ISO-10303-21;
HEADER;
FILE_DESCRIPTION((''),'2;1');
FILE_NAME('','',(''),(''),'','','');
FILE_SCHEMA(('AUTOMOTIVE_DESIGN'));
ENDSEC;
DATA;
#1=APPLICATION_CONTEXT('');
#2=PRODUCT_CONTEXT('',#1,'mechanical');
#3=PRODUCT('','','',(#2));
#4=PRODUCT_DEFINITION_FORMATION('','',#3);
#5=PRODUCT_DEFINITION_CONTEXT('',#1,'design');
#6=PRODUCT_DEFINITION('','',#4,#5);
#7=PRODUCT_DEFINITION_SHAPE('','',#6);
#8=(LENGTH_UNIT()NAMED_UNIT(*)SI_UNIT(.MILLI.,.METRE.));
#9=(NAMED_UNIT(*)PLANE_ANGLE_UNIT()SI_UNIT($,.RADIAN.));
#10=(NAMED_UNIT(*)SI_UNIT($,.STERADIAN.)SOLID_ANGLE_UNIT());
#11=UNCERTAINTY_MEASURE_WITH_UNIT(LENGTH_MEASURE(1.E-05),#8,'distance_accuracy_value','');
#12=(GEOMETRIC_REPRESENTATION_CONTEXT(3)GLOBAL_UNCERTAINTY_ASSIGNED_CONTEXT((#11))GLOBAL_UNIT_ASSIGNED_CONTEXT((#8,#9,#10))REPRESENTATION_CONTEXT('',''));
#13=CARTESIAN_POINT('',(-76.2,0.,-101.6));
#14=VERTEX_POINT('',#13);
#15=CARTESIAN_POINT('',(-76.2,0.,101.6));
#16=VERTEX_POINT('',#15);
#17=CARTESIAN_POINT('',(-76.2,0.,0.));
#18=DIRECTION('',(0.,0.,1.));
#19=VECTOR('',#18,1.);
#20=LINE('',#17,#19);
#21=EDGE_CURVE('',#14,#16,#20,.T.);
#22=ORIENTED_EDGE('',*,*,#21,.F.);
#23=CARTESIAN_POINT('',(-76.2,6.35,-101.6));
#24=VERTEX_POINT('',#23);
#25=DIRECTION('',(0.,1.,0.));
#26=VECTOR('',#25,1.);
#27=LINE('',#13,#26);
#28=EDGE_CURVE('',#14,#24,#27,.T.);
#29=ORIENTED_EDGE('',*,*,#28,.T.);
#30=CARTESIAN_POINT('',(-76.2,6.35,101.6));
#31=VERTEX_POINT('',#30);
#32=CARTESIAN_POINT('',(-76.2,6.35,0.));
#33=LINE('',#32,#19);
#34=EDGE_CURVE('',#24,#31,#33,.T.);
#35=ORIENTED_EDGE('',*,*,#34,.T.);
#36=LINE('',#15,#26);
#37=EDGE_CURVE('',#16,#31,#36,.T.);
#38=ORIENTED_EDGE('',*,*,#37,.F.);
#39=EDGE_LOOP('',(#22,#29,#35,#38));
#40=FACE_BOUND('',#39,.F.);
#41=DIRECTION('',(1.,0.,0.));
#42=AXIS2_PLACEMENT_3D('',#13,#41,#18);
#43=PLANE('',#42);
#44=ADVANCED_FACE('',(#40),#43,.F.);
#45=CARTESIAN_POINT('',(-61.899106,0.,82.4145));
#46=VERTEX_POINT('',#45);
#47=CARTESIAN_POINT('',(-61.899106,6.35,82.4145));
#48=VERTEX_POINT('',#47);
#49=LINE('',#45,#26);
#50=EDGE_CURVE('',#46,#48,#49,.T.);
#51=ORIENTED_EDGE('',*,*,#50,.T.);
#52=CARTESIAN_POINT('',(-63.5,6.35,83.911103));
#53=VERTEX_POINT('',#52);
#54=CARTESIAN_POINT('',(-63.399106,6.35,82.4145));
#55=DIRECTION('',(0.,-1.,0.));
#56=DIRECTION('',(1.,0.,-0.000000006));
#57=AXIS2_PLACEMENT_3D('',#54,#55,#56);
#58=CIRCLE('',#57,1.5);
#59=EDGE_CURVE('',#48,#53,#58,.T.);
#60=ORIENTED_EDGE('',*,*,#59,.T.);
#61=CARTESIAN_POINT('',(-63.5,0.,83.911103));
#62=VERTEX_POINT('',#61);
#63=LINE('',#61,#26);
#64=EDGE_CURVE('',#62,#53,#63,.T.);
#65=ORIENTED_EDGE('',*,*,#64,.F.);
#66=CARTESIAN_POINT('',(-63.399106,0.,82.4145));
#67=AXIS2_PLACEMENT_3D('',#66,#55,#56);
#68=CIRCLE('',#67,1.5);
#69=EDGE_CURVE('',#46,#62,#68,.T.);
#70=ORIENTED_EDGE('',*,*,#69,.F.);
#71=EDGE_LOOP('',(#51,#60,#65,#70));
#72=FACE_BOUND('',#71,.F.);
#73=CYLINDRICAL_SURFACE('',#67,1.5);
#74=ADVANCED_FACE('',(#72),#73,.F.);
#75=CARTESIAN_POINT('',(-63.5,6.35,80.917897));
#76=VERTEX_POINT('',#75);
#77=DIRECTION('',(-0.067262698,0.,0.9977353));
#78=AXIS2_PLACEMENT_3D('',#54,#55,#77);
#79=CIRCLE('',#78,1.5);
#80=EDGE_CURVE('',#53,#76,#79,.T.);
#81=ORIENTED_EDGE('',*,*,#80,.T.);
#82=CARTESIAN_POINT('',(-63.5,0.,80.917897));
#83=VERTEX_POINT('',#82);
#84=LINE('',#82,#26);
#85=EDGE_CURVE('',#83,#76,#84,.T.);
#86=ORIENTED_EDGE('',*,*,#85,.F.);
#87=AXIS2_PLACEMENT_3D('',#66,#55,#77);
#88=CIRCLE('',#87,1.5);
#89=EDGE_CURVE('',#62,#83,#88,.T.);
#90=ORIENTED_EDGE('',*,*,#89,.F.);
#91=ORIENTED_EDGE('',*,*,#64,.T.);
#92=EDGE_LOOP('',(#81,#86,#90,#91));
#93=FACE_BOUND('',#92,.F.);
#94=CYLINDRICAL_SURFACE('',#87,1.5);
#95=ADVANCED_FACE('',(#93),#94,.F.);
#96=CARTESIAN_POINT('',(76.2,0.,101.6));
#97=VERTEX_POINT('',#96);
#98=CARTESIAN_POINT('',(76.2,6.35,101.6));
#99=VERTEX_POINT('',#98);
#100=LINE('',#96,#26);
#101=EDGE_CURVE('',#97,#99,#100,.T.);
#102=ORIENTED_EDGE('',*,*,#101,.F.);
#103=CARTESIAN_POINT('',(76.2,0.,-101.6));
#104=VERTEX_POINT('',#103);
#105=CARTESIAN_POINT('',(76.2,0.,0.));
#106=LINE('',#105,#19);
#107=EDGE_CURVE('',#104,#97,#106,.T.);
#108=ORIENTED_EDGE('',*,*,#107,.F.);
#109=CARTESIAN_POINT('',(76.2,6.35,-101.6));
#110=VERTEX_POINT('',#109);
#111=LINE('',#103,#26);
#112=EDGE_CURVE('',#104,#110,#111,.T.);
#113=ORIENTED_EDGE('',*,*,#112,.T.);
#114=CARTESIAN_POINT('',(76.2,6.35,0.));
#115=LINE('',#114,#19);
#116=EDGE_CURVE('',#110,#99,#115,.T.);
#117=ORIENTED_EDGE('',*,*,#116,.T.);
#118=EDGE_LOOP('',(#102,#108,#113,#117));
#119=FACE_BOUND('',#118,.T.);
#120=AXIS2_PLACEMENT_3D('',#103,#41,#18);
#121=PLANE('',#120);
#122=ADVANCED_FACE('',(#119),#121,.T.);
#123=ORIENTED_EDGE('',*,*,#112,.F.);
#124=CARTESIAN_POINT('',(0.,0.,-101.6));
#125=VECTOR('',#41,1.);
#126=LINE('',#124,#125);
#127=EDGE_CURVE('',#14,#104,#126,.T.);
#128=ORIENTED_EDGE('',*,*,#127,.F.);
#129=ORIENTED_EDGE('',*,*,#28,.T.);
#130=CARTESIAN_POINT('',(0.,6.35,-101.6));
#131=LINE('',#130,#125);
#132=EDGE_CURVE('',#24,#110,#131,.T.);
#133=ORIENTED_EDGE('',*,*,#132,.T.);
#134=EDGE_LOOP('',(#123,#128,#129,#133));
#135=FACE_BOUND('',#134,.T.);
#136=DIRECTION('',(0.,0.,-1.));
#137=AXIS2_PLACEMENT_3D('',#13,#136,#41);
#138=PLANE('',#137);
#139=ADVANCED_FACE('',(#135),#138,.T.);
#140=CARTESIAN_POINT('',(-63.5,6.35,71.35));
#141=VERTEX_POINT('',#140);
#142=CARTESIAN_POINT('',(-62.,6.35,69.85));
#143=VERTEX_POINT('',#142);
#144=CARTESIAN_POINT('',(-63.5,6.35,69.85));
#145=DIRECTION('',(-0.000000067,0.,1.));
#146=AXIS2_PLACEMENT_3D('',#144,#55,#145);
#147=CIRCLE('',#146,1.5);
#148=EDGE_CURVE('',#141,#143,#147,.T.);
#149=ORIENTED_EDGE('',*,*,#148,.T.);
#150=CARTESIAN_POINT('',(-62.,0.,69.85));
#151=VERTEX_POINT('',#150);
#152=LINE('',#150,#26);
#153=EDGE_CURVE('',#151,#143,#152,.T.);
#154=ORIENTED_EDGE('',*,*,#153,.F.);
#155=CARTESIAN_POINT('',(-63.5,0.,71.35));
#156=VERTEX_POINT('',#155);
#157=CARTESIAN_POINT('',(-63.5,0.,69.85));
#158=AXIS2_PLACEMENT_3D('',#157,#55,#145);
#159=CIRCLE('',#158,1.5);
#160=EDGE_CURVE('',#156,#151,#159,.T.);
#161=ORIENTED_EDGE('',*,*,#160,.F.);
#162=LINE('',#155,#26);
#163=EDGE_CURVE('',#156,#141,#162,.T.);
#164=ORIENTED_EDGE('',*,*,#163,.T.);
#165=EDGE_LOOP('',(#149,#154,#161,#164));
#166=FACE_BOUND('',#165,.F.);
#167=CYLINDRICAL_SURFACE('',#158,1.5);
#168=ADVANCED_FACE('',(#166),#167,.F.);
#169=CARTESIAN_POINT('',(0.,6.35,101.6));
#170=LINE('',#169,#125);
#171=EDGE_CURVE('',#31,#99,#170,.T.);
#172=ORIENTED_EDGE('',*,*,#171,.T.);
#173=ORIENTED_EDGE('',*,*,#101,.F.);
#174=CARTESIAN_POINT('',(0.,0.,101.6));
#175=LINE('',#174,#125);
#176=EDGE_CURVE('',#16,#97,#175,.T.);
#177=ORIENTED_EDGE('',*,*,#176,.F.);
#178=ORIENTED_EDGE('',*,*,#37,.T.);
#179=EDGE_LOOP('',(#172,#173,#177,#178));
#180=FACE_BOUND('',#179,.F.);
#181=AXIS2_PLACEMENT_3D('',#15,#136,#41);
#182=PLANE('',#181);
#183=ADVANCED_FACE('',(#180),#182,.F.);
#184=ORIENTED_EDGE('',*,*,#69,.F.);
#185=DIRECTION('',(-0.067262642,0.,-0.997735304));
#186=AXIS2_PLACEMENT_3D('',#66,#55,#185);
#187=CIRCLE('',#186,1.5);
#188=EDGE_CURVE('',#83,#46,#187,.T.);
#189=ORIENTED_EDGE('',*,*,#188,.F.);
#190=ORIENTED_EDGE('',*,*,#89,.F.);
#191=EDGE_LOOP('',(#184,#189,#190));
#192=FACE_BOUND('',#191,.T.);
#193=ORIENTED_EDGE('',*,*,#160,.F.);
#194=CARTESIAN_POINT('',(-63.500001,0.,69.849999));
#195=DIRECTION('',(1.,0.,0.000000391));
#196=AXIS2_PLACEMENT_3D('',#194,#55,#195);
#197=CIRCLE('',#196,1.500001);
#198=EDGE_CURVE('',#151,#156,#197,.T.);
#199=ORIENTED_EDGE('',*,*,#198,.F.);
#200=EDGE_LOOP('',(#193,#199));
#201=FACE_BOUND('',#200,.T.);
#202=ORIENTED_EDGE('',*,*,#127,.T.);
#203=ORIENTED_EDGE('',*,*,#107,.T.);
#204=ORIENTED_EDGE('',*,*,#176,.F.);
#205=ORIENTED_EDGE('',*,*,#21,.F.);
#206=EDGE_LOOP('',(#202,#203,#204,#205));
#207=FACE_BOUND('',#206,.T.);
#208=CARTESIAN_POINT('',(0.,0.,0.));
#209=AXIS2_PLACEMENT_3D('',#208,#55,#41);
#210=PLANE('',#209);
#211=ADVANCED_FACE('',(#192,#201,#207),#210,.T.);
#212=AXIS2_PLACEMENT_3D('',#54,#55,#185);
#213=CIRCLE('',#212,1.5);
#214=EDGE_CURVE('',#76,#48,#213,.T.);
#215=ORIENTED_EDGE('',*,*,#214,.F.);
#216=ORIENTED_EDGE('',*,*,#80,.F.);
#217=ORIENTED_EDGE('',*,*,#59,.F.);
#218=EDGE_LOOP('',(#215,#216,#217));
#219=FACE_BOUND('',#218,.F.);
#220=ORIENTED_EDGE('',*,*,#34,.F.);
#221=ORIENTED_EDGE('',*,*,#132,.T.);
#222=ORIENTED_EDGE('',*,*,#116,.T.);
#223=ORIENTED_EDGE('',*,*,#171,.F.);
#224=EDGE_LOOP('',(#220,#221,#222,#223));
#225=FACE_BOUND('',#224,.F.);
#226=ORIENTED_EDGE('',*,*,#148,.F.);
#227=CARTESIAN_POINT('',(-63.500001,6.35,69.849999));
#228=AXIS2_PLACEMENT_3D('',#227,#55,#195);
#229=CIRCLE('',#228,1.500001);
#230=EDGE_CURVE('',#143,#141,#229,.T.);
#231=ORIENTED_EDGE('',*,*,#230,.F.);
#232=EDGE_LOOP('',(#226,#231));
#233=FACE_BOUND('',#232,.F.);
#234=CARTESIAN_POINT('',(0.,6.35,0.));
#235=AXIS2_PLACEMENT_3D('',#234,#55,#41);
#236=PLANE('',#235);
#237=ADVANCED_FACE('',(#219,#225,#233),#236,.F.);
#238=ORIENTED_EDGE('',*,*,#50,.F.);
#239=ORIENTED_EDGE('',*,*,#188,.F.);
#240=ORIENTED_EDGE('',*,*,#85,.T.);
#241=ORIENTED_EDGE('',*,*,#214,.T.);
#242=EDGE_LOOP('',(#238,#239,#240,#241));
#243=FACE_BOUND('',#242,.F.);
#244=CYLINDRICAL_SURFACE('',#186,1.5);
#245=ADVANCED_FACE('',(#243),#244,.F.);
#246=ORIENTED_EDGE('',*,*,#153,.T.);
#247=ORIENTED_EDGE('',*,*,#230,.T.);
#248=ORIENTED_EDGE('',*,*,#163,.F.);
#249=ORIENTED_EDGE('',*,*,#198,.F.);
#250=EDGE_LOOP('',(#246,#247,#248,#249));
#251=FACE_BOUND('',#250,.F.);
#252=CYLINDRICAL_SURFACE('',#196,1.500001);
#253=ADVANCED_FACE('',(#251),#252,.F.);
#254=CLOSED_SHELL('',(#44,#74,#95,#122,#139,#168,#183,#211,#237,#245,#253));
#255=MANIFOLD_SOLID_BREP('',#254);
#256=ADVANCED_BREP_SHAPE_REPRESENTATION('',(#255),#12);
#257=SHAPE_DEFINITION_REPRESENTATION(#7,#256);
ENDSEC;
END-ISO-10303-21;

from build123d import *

# Parameters (mm, degrees)
F0_W     = 152.4
F0_H     = 203.2
F1_DEPTH = 6.35
F3_DEPTH = 12.7


with BuildPart() as f1:
    # F0 (on Front) → F1 (new body)
    with BuildSketch(Plane.XZ):
        Rectangle(F0_W, F0_H)
    extrude(amount=-F1_DEPTH)

    # F2 (on face) → F3 (cut)
    with BuildSketch(Plane.XZ):
        with BuildLine():
            Line((-63.5, 82.55), (-63.5, 83.911103))
            ThreePointArc((-63.5, 83.911103), (-64.899106, 82.4145), (-63.5, 80.917897))
            Line((-63.5, 80.917897), (-63.5, 82.55))
        make_face()
        with BuildLine():
            ThreePointArc((-62, 69.85), (-62.43934, 70.91066), (-63.5, 71.35))
            ThreePointArc((-63.5, 71.35), (-64.56066, 68.78934), (-62, 69.85))
        make_face()
        with BuildLine():
            ThreePointArc((-61.899106, 82.4145), (-62.374738, 83.510251), (-63.5, 83.911103))
            Line((-63.5, 83.911103), (-63.5, 82.55))
            Line((-63.5, 82.55), (-63.5, 80.917897))
            ThreePointArc((-63.5, 80.917897), (-62.374738, 81.318749), (-61.899106, 82.4145))
        make_face()
    extrude(amount=-F3_DEPTH, mode=Mode.SUBTRACT)


solid = f1.part
